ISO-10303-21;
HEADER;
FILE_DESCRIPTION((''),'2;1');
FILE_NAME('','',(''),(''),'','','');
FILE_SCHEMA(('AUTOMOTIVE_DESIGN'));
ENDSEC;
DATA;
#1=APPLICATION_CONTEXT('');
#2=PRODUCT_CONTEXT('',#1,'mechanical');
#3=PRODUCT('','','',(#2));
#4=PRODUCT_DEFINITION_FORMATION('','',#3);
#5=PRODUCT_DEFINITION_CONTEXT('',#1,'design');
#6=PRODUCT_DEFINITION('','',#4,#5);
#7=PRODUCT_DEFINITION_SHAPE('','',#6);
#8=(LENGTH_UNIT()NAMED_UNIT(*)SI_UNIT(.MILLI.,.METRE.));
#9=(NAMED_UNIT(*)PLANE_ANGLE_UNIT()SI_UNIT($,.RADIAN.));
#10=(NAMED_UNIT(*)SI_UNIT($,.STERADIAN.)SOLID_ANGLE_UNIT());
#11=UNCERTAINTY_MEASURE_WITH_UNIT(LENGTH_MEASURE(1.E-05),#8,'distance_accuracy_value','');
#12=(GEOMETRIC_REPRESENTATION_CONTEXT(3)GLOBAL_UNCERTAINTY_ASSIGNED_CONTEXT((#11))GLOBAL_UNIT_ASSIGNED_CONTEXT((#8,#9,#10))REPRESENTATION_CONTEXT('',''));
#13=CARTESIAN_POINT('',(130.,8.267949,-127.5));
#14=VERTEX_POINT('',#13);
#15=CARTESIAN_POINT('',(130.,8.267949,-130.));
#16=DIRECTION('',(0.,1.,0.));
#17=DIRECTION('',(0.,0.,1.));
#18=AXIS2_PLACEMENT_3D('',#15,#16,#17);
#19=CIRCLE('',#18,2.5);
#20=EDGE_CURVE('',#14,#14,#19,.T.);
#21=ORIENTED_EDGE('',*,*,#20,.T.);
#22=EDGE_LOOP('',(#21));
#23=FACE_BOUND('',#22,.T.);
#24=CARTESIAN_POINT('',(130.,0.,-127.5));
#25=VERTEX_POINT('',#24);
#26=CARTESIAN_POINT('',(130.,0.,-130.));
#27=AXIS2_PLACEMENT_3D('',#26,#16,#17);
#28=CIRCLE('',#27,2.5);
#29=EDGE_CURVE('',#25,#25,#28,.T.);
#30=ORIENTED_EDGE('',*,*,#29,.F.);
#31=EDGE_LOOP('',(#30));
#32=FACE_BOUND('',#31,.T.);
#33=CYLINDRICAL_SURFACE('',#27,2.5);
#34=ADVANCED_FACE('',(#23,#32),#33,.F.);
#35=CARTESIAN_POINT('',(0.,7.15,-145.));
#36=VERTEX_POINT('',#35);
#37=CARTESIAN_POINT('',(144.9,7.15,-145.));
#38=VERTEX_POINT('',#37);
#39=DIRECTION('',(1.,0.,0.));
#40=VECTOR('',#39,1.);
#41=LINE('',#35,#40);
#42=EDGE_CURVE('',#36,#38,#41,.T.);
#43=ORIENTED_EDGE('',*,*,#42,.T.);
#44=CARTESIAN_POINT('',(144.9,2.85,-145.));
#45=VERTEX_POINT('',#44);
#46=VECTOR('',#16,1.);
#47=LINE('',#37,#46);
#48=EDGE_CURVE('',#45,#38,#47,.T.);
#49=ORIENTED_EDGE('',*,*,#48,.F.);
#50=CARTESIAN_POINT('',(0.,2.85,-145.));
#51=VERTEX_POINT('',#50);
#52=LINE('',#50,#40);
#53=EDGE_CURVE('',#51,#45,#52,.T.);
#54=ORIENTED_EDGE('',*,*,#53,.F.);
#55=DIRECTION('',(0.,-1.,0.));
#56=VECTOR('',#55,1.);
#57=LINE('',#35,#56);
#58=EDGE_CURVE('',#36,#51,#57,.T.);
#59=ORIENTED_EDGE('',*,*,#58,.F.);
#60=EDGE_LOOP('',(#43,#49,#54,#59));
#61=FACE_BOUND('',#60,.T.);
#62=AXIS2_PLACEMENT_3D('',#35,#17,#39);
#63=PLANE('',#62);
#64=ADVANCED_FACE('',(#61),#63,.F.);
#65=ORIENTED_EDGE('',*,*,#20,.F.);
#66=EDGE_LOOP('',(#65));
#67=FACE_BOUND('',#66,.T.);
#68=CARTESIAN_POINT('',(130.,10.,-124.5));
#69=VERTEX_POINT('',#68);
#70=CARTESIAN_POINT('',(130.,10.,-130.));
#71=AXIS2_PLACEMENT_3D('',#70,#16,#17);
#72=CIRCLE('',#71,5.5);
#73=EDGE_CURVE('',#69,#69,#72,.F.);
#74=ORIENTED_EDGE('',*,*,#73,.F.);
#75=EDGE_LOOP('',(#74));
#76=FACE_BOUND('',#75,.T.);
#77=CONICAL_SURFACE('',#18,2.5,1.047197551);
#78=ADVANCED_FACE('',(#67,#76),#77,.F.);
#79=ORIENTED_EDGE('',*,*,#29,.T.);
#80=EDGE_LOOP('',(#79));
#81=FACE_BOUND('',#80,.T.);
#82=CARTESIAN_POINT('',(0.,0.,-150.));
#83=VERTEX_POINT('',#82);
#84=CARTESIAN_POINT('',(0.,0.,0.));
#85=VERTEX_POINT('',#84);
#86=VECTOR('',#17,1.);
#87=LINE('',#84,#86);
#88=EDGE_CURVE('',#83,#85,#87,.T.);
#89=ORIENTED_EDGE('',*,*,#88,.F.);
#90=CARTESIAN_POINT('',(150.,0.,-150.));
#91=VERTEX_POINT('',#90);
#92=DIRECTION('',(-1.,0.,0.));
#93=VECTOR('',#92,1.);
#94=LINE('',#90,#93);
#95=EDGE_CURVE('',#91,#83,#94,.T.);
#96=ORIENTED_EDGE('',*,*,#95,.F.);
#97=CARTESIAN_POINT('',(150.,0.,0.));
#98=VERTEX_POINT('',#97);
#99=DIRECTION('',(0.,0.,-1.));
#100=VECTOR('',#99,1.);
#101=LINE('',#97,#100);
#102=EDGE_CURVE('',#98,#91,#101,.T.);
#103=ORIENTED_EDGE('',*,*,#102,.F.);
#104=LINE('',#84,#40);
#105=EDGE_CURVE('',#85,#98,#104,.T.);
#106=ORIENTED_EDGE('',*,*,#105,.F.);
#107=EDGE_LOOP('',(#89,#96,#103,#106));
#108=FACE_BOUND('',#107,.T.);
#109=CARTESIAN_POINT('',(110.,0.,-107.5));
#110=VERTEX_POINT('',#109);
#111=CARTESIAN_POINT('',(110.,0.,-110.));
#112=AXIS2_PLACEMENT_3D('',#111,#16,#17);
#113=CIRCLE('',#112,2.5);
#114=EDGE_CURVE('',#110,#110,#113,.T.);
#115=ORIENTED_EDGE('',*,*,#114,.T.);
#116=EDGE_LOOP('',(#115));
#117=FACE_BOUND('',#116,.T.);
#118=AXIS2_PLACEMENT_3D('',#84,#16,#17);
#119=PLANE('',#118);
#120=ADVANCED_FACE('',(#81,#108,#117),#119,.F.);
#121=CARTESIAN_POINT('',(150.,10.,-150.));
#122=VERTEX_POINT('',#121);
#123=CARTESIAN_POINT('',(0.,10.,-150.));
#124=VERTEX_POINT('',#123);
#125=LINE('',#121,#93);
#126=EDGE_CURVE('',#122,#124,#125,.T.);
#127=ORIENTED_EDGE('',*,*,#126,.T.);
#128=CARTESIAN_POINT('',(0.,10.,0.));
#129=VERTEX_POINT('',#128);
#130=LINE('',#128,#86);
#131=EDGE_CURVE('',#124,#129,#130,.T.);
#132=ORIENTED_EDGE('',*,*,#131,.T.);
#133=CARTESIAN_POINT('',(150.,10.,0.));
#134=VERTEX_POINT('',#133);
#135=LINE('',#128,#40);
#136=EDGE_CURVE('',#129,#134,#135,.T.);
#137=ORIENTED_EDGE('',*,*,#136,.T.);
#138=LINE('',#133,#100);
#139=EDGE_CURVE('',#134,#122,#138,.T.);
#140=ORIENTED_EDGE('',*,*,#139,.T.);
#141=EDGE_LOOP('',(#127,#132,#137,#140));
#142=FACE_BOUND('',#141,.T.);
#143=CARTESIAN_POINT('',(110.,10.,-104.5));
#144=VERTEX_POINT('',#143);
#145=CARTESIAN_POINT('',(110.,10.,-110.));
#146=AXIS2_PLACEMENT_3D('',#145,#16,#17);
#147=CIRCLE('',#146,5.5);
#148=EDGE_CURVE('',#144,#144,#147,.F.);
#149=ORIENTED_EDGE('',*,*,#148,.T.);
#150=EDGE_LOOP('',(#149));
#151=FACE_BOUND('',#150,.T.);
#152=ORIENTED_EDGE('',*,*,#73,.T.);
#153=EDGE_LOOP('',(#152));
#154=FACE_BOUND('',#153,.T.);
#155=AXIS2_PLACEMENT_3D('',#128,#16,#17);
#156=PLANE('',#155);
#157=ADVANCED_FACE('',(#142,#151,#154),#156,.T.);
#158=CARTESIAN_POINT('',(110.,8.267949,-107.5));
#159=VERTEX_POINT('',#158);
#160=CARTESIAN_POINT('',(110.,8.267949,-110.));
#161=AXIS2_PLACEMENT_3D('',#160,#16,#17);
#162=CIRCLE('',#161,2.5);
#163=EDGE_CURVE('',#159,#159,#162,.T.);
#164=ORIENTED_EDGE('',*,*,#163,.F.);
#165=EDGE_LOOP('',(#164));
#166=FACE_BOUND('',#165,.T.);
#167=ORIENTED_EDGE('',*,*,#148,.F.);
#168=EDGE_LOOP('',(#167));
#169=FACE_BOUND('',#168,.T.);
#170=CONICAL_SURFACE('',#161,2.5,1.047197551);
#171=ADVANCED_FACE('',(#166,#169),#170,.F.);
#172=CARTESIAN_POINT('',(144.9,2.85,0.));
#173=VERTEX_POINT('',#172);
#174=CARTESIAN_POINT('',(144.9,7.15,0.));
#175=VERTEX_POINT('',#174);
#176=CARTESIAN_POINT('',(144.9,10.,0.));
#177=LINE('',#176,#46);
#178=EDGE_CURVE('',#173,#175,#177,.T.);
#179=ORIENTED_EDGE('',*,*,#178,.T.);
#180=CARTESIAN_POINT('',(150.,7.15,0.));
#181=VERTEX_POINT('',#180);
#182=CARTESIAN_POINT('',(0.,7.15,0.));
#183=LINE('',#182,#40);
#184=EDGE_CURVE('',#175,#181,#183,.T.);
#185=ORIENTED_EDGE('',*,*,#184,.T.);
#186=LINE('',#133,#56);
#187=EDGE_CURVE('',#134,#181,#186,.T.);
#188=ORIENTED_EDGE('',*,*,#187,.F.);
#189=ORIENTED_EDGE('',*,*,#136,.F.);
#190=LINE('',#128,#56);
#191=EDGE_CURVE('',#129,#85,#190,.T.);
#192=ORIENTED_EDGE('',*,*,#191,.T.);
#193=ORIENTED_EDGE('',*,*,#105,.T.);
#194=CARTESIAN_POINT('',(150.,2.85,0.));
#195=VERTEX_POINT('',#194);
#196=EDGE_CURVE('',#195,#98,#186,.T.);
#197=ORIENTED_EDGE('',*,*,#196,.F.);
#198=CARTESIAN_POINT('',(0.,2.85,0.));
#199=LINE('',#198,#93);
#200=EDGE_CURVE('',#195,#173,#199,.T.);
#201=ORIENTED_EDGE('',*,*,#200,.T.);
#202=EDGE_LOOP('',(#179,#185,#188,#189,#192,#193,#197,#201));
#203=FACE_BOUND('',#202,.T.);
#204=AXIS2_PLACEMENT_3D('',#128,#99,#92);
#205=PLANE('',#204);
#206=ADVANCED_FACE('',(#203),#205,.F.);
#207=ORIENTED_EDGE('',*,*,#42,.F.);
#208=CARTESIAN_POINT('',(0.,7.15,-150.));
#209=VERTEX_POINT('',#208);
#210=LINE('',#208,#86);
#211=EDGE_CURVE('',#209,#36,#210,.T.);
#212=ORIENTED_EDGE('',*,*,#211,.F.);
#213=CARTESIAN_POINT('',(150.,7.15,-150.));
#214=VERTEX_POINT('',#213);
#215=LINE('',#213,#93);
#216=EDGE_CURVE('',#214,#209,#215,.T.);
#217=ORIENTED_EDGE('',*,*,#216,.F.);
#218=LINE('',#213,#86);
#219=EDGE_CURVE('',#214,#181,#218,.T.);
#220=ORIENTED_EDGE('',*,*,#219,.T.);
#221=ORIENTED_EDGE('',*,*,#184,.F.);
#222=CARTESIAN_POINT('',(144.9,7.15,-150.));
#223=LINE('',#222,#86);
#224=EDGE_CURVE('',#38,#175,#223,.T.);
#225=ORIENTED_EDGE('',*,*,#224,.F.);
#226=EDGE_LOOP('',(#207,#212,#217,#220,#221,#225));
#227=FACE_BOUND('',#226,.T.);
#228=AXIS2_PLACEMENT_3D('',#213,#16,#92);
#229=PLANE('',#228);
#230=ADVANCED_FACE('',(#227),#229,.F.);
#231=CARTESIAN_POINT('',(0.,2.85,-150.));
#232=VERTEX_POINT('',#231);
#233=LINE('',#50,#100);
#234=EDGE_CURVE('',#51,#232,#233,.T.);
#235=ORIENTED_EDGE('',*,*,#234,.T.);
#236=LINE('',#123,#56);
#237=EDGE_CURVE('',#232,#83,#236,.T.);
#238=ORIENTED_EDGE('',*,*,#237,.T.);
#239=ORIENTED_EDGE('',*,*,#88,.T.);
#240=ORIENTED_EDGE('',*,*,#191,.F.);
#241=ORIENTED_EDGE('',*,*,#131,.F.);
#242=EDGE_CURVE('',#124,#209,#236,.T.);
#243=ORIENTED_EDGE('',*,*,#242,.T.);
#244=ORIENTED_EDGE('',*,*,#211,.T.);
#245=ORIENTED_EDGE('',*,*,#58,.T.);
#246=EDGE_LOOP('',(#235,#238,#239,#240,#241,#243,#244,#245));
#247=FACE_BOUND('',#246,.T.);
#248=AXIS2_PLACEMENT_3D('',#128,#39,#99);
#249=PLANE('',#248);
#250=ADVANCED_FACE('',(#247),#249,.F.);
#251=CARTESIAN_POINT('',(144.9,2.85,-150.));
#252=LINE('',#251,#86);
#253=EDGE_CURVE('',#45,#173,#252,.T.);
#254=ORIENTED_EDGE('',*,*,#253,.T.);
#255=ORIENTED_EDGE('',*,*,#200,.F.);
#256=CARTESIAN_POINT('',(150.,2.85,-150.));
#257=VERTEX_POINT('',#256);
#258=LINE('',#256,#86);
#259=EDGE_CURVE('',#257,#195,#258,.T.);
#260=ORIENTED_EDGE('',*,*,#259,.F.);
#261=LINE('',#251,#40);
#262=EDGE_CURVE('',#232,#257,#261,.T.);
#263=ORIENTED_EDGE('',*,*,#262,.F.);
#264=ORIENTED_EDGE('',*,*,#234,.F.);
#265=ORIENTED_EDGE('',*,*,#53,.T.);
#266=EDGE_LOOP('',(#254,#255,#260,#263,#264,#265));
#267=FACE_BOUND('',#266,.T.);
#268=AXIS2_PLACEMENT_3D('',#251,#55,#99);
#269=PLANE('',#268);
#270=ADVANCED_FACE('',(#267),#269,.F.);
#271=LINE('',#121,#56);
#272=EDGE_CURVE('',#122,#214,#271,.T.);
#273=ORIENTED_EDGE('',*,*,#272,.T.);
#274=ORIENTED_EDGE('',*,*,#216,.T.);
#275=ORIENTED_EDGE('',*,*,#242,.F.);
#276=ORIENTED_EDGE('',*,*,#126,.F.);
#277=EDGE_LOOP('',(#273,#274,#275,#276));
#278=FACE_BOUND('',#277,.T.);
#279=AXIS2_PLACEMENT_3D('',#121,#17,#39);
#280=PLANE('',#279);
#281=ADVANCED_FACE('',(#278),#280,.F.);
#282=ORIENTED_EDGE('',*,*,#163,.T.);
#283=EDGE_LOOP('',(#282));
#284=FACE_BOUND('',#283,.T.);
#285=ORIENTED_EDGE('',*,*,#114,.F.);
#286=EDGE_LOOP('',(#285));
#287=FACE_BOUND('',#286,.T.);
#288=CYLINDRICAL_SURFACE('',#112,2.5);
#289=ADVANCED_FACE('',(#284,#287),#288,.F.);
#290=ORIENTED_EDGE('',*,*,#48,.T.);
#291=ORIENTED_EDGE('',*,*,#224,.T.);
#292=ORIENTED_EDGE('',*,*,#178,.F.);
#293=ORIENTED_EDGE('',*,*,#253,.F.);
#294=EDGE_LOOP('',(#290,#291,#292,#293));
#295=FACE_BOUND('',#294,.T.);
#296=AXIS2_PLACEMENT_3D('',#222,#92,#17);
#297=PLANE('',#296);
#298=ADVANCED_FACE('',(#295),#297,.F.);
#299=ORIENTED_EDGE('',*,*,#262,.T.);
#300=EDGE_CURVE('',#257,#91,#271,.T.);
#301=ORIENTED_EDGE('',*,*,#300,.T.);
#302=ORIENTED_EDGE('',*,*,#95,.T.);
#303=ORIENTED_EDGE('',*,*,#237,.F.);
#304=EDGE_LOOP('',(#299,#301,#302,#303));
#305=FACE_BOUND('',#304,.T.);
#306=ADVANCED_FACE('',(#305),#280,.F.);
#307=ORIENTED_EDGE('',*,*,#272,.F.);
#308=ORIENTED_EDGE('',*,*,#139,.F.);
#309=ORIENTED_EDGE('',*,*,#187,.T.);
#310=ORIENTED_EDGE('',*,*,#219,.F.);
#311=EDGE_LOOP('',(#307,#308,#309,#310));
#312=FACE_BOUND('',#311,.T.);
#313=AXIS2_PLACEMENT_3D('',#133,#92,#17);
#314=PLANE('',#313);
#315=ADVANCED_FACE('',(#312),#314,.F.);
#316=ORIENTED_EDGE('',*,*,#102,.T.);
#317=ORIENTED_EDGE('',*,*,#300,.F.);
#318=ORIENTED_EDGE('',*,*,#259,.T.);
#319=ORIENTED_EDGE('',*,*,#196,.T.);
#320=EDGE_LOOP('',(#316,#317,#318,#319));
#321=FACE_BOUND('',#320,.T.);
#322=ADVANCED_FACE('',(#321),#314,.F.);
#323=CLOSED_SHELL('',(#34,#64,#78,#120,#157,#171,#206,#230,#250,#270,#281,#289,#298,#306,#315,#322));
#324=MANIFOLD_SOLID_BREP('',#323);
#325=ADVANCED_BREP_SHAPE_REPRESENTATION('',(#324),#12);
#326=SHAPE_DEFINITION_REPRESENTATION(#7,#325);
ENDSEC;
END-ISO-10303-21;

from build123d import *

# Parameters (mm, degrees)
SKETCH1_W               = 150
SKETCH1_H               = 150
BOSS_EXTRUDE1_DEPTH     = 10
CUT_EXTRUDE1_DEPTH      = 213.367605816
CUT_EXTRUDE1_DEPTH_BACK = 213.367605816
SKETCH2_W               = 5.1
SKETCH2_H               = 4.3
CUT_EXTRUDE2_DEPTH      = 209.796575642
CUT_EXTRUDE2_DEPTH_BACK = 209.796575642
SKETCH3_W               = 5
SKETCH3_H               = 4.3
CUT_EXTRUDE3_DEPTH      = 213.367605816
CUT_EXTRUDE3_DEPTH_BACK = 213.367605816
SKETCH4_R               = 2.5
CHAMFER1_SIZE           = 3
CHAMFER1_SIZE2          = 1.732050808


with BuildPart() as part:
    # Sketch1 → Boss-Extrude1 (new body)
    with BuildSketch(Plane(origin=(0, 0, 0), x_dir=(1, 0, 0), z_dir=(0, 1, 0))):
        with Locations((75, 75)):
            Rectangle(SKETCH1_W, SKETCH1_H)
    extrude(amount=BOSS_EXTRUDE1_DEPTH)

    # Sketch2 → Cut-Extrude1 (cut, two sides: drawn at the far end of the back side and taken through both)
    with BuildSketch(Plane.XY.offset(-CUT_EXTRUDE1_DEPTH_BACK)):
        with Locations((147.45, 5)):
            Rectangle(SKETCH2_W, SKETCH2_H)
    extrude(amount=CUT_EXTRUDE1_DEPTH + CUT_EXTRUDE1_DEPTH_BACK, mode=Mode.SUBTRACT)

    # Sketch3 → Cut-Extrude2 (cut, two sides: drawn at the far end of the back side and taken through both)
    with BuildSketch(Plane(origin=(144.9, 0, 0), x_dir=(0, 0, -1), z_dir=(1, 0, 0)).offset(-CUT_EXTRUDE2_DEPTH_BACK)):
        with Locations((147.5, 5)):
            Rectangle(SKETCH3_W, SKETCH3_H)
    extrude(amount=CUT_EXTRUDE2_DEPTH + CUT_EXTRUDE2_DEPTH_BACK, mode=Mode.SUBTRACT)

    # Sketch4 → Cut-Extrude3 (cut, two sides: drawn at the far end of the back side and taken through both)
    with BuildSketch(Plane(origin=(0, 10, 0), x_dir=(1, 0, 0), z_dir=(0, 1, 0)).offset(-CUT_EXTRUDE3_DEPTH_BACK)):
        with Locations(Location((130, 130, 0), (0, 0, 270))):
            Circle(SKETCH4_R)
        with Locations(Location((110, 110, 0), (0, 0, 270))):
            Circle(SKETCH4_R)
    extrude(amount=CUT_EXTRUDE3_DEPTH + CUT_EXTRUDE3_DEPTH_BACK, mode=Mode.SUBTRACT)

    # Chamfer1
    chamfer1_edges = [part.edges().sort_by_distance(p)[0] for p in [
        (130, 10, -132.5),
        (110, 10, -112.5),
    ]]
    chamfer1_side = [part.faces().sort_by_distance(p)[0] for p in [
        (74.921322866, 10, -74.921322866),
    ]]
    chamfer(chamfer1_edges, length=CHAMFER1_SIZE, length2=CHAMFER1_SIZE2, reference=chamfer1_side[0])


solid = part.part
